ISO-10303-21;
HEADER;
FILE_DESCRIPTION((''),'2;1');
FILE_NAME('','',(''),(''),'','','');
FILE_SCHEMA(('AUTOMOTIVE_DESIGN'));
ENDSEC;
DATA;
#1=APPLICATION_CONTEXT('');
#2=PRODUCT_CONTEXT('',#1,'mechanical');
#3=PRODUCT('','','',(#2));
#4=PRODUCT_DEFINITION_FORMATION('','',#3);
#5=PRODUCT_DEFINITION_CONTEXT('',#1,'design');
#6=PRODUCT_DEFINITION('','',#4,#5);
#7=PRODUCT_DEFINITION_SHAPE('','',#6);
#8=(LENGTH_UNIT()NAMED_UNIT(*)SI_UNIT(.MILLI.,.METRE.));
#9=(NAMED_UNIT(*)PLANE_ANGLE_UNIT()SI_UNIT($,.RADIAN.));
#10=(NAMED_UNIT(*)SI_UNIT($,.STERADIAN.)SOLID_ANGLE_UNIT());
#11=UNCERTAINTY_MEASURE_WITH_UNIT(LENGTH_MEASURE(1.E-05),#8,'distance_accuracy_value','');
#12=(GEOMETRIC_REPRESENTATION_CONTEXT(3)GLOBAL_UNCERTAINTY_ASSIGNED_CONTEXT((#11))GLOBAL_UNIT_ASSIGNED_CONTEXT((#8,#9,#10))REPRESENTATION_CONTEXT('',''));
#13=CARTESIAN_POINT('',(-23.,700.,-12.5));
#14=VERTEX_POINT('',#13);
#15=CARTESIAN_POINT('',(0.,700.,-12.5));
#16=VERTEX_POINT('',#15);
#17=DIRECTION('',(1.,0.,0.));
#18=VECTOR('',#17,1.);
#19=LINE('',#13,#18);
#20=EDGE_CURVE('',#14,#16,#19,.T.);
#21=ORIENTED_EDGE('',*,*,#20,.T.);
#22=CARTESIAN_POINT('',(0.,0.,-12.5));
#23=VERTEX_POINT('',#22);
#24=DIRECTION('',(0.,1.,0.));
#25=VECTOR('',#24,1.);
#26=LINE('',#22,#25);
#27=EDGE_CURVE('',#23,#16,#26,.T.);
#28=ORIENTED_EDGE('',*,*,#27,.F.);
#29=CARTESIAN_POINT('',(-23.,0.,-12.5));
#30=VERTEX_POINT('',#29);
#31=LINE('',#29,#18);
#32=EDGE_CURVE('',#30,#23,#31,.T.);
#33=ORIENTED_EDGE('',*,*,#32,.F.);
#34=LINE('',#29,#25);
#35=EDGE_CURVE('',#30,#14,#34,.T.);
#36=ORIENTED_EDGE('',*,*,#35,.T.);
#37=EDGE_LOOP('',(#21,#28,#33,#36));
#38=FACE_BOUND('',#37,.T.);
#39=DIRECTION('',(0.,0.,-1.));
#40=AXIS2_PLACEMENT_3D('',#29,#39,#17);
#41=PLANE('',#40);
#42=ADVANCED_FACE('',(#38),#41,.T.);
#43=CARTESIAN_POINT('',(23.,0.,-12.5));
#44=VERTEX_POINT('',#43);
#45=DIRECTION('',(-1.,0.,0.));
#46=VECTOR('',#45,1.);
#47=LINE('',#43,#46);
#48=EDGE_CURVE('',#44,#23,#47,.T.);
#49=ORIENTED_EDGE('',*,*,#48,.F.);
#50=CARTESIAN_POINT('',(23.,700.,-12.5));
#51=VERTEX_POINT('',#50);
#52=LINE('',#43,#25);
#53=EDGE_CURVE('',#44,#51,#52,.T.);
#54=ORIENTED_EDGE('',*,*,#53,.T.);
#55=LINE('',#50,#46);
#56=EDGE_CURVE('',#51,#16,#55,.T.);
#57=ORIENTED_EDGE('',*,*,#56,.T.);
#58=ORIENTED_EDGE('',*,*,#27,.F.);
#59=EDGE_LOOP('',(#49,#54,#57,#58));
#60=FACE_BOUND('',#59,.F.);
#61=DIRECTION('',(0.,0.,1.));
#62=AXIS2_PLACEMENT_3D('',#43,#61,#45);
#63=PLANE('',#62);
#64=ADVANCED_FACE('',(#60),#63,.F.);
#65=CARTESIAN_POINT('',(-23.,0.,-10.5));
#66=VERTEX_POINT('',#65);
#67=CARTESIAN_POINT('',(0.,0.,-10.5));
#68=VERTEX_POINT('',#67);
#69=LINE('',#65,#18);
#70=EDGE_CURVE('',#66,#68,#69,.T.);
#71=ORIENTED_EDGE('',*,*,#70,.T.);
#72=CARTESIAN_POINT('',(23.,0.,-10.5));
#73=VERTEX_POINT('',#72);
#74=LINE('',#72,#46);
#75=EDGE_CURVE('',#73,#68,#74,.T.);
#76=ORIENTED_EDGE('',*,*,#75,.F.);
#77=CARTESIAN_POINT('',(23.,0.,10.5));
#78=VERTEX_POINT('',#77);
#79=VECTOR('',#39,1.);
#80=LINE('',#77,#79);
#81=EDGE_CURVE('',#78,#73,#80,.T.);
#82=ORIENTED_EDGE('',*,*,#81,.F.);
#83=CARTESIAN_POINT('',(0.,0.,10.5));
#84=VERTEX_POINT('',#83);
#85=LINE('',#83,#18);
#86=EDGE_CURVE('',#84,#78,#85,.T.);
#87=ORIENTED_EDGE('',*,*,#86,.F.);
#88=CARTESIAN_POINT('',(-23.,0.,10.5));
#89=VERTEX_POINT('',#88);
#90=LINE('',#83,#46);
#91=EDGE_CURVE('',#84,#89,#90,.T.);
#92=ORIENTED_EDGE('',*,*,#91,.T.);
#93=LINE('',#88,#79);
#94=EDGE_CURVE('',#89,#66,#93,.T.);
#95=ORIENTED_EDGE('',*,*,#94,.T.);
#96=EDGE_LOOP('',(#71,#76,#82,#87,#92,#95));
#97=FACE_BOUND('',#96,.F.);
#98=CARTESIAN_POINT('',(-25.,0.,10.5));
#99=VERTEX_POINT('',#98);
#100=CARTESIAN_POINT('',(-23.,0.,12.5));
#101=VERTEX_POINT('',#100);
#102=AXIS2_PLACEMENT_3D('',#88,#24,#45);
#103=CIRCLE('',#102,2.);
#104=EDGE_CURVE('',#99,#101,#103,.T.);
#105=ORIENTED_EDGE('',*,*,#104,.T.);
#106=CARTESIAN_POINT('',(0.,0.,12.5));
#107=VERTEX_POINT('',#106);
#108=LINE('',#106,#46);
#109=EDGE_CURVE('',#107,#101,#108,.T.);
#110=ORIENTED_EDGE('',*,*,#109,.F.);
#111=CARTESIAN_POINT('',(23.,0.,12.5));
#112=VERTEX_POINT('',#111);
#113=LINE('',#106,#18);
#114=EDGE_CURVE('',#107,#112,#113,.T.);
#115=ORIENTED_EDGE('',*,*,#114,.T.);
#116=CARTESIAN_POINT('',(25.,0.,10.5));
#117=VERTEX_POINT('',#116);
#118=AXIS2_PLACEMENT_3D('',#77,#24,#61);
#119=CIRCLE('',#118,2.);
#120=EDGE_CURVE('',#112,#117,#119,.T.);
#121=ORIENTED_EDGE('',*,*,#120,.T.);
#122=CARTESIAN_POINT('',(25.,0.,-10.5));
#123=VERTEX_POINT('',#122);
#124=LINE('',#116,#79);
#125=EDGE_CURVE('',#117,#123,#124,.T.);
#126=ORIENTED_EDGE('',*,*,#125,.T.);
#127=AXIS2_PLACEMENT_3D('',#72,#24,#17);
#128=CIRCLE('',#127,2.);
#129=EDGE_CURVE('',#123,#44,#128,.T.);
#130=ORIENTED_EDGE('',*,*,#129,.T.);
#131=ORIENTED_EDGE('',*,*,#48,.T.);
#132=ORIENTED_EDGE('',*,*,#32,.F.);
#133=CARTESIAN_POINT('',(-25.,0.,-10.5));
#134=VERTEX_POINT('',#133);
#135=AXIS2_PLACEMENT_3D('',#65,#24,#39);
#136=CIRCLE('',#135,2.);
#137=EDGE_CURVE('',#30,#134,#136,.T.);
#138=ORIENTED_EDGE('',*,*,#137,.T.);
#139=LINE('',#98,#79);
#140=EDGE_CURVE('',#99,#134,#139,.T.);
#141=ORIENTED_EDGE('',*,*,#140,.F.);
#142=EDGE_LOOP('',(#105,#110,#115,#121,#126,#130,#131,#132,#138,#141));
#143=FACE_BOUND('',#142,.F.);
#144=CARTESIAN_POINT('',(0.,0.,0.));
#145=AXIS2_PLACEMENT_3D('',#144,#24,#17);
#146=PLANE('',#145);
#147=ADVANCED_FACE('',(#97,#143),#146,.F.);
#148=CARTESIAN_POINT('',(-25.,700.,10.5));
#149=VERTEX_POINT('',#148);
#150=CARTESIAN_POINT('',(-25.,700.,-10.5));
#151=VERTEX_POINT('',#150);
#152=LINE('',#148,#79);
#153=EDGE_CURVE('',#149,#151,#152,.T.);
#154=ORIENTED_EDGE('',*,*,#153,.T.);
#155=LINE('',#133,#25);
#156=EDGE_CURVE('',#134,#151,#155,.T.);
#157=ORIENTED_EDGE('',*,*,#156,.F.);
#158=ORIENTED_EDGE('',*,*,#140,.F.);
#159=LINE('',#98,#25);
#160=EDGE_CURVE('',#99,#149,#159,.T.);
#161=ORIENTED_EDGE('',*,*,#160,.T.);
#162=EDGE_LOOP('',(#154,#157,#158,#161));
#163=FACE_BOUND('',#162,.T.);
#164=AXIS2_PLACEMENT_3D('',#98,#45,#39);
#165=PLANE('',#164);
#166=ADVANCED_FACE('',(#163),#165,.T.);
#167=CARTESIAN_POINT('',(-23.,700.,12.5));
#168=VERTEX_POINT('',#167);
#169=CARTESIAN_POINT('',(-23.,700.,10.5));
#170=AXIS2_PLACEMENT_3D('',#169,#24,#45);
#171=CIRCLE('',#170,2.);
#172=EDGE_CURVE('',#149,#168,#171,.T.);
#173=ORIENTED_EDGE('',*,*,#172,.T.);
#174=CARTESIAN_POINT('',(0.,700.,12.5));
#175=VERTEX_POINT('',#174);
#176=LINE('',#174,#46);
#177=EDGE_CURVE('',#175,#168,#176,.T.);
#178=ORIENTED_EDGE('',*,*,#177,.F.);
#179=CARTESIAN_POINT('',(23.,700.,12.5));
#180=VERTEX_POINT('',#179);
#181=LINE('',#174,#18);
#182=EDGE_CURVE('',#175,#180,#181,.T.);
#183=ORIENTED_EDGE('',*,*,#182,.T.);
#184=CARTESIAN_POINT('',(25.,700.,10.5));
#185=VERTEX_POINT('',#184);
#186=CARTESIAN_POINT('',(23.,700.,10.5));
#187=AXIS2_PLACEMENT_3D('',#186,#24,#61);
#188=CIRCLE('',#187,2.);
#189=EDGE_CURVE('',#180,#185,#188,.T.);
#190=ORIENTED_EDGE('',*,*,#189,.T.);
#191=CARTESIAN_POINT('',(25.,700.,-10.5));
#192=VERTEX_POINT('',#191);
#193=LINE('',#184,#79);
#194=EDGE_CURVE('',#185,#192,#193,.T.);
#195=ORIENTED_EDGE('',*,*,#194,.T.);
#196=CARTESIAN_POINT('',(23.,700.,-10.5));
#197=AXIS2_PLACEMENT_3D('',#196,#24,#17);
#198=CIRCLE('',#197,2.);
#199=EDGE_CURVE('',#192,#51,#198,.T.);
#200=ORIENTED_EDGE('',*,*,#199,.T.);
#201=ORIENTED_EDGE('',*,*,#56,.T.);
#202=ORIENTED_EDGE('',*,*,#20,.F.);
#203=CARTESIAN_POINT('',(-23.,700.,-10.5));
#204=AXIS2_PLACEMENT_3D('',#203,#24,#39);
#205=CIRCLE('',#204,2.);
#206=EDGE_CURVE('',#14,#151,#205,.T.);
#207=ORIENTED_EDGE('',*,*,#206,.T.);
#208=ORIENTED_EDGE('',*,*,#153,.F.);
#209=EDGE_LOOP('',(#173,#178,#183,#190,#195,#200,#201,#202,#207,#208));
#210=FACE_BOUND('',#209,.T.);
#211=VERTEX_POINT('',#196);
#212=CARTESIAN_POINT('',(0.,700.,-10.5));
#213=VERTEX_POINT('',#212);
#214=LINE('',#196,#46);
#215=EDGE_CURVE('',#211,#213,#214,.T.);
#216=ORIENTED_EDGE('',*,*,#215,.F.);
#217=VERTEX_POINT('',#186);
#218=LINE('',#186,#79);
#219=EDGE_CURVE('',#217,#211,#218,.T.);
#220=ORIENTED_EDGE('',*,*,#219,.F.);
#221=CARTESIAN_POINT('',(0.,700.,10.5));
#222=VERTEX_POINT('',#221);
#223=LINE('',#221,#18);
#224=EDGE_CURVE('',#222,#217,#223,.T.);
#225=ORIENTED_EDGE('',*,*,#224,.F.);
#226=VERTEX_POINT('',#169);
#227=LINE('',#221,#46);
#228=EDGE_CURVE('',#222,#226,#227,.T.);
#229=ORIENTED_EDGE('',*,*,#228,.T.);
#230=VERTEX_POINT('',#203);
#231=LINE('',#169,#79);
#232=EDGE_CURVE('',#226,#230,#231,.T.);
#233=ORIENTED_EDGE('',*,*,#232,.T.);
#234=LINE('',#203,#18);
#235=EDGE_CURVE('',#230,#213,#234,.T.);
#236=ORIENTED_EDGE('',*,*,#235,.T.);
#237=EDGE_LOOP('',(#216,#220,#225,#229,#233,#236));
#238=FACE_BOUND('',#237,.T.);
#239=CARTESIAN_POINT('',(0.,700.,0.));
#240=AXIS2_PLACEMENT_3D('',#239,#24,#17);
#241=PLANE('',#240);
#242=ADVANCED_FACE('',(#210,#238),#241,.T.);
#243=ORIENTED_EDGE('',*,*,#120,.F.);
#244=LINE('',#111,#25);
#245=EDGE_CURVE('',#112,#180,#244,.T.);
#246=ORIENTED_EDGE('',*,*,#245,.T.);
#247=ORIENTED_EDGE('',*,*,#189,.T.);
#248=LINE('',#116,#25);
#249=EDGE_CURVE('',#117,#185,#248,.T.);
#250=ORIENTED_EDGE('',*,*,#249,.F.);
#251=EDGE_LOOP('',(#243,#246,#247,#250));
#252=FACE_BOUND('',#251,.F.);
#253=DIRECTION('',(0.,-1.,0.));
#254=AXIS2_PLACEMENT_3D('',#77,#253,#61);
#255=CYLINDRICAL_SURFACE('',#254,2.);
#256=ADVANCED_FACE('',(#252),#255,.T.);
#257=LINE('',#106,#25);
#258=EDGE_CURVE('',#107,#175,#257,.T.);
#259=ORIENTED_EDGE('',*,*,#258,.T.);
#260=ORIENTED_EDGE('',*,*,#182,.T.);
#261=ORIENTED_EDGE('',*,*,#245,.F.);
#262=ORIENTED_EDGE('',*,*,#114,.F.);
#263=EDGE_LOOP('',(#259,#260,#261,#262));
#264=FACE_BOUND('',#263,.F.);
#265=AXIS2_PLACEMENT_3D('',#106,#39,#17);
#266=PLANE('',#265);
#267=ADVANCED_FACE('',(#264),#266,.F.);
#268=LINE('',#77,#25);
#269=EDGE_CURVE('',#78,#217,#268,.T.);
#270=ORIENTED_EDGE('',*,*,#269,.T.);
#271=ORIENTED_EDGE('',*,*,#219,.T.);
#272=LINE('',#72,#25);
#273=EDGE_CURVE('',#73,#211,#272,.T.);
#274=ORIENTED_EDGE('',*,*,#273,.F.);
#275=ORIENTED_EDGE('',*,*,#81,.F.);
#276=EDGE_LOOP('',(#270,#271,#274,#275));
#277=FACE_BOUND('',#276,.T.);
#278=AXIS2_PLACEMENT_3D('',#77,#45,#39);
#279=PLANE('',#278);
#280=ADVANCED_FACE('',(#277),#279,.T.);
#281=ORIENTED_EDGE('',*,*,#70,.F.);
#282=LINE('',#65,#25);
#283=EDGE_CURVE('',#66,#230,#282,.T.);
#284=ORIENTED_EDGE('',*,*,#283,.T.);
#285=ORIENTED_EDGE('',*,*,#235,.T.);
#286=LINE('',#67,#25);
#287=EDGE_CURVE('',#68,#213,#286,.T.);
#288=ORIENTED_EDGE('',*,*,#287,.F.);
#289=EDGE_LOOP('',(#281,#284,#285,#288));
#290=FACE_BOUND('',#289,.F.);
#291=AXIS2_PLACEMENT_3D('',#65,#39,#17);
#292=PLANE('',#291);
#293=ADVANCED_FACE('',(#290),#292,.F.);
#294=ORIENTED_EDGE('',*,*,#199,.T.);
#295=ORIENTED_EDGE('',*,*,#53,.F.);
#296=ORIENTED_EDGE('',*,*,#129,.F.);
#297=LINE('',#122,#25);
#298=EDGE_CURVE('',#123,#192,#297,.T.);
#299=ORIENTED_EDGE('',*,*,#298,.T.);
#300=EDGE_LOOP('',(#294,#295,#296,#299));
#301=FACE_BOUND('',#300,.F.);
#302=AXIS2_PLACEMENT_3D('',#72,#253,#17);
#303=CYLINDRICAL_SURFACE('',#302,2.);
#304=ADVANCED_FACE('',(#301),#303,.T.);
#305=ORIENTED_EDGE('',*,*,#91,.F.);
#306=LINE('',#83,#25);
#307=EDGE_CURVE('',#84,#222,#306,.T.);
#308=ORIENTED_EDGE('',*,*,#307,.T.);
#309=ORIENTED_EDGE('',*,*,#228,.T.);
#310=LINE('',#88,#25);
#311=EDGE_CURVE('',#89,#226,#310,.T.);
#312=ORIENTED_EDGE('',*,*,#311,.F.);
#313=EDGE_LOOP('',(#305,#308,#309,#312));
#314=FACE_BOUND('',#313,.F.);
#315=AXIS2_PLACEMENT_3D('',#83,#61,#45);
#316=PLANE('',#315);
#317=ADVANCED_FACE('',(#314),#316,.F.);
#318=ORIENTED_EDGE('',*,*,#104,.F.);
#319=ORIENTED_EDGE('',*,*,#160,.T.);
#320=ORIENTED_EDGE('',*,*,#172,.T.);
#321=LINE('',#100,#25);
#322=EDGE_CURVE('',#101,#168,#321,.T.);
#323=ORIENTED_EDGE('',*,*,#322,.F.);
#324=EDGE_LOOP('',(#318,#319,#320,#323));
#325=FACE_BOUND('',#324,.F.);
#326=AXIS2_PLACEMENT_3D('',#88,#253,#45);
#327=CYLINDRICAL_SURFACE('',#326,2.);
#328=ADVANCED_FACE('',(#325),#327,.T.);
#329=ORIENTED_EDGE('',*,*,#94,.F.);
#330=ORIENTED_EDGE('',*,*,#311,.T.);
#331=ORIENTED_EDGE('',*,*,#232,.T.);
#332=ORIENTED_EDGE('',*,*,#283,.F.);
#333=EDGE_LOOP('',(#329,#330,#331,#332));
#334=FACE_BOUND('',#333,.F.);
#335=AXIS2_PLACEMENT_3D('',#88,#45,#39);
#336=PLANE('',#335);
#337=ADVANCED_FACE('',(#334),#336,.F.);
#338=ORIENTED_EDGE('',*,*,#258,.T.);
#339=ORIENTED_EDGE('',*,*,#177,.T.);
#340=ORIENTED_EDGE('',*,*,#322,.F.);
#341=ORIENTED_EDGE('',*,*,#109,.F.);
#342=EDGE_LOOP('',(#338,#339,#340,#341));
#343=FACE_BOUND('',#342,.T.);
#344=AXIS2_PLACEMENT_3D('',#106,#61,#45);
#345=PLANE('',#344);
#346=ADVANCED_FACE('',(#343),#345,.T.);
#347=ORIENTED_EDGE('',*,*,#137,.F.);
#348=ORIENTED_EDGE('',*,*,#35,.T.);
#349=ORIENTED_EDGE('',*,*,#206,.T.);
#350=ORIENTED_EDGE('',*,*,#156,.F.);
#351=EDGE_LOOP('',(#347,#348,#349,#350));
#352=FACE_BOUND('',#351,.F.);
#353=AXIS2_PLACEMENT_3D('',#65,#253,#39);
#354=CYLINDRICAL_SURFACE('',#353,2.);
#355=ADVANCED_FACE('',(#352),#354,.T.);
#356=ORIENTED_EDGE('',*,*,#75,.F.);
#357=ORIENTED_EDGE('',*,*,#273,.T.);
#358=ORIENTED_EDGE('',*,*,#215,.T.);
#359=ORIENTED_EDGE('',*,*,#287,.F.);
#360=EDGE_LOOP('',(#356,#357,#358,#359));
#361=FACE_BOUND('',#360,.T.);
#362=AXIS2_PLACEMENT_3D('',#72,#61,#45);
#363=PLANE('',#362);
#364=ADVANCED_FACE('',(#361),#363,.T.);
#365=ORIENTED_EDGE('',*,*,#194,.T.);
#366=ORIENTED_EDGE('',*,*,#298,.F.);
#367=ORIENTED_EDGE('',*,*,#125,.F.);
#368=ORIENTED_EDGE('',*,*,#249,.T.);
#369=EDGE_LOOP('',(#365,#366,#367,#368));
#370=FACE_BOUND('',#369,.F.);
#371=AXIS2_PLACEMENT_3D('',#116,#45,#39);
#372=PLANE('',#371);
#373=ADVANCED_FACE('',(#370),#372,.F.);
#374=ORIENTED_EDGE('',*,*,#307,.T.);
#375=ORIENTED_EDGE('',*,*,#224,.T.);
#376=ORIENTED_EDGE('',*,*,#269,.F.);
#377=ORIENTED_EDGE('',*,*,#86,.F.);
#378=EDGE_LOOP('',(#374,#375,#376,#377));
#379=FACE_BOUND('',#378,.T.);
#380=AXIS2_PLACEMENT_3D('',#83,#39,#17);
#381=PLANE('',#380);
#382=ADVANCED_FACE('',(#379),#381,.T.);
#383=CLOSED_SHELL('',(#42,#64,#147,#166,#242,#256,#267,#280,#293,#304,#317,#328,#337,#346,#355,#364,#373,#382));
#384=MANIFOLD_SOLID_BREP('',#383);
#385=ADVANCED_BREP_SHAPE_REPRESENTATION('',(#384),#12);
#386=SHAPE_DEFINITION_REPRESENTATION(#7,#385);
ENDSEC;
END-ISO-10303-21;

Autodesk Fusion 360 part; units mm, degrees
sketch "Sketch1" plane through (0, 0, 0) normal (0, 1, 0) x (1, 0, 0)
  line L0 (0, -12.5) -> (23, -12.5)
  line L1 (25, -10.5) -> (25, 10.5)
  line L2 (23, 12.5) -> (0, 12.5)
  line L3 (0, -12.5) -> (-23, -12.5)
  line L4 (-25, -10.5) -> (-25, 10.5)
  line L5 (-23, 12.5) -> (0, 12.5)
  arc A0 (-25, -10.5) -> (-23, -12.5) centre (-23, -10.5) ccw
  arc A1 (23, -12.5) -> (25, -10.5) centre (23, -10.5) ccw
  arc A2 (-23, 12.5) -> (-25, 10.5) centre (-23, 10.5) ccw
  line L6 (-23, 10.5) -> (0, 10.5)
  line L7 (23, 10.5) -> (0, 10.5)
  line L8 (23, -10.5) -> (23, 10.5)
  line L9 (0, -10.5) -> (23, -10.5)
  line L10 (0, -10.5) -> (-23, -10.5)
  line L11 (-23, -10.5) -> (-23, 10.5)
  arc A3 (25, 10.5) -> (23, 12.5) centre (23, 10.5) ccw
  point P0 (25, -12.5)
  dimension "d1" = 12.5
  dimension "d2" = 25
  dimension "d3" = 25
  dimension "d4" = 2
  dimension "d5" = 2
  dimension "d6" = 2
  dimension "d7" = 2
extrude "Extrude1" add sketch "Sketch1" along normal blind 700
